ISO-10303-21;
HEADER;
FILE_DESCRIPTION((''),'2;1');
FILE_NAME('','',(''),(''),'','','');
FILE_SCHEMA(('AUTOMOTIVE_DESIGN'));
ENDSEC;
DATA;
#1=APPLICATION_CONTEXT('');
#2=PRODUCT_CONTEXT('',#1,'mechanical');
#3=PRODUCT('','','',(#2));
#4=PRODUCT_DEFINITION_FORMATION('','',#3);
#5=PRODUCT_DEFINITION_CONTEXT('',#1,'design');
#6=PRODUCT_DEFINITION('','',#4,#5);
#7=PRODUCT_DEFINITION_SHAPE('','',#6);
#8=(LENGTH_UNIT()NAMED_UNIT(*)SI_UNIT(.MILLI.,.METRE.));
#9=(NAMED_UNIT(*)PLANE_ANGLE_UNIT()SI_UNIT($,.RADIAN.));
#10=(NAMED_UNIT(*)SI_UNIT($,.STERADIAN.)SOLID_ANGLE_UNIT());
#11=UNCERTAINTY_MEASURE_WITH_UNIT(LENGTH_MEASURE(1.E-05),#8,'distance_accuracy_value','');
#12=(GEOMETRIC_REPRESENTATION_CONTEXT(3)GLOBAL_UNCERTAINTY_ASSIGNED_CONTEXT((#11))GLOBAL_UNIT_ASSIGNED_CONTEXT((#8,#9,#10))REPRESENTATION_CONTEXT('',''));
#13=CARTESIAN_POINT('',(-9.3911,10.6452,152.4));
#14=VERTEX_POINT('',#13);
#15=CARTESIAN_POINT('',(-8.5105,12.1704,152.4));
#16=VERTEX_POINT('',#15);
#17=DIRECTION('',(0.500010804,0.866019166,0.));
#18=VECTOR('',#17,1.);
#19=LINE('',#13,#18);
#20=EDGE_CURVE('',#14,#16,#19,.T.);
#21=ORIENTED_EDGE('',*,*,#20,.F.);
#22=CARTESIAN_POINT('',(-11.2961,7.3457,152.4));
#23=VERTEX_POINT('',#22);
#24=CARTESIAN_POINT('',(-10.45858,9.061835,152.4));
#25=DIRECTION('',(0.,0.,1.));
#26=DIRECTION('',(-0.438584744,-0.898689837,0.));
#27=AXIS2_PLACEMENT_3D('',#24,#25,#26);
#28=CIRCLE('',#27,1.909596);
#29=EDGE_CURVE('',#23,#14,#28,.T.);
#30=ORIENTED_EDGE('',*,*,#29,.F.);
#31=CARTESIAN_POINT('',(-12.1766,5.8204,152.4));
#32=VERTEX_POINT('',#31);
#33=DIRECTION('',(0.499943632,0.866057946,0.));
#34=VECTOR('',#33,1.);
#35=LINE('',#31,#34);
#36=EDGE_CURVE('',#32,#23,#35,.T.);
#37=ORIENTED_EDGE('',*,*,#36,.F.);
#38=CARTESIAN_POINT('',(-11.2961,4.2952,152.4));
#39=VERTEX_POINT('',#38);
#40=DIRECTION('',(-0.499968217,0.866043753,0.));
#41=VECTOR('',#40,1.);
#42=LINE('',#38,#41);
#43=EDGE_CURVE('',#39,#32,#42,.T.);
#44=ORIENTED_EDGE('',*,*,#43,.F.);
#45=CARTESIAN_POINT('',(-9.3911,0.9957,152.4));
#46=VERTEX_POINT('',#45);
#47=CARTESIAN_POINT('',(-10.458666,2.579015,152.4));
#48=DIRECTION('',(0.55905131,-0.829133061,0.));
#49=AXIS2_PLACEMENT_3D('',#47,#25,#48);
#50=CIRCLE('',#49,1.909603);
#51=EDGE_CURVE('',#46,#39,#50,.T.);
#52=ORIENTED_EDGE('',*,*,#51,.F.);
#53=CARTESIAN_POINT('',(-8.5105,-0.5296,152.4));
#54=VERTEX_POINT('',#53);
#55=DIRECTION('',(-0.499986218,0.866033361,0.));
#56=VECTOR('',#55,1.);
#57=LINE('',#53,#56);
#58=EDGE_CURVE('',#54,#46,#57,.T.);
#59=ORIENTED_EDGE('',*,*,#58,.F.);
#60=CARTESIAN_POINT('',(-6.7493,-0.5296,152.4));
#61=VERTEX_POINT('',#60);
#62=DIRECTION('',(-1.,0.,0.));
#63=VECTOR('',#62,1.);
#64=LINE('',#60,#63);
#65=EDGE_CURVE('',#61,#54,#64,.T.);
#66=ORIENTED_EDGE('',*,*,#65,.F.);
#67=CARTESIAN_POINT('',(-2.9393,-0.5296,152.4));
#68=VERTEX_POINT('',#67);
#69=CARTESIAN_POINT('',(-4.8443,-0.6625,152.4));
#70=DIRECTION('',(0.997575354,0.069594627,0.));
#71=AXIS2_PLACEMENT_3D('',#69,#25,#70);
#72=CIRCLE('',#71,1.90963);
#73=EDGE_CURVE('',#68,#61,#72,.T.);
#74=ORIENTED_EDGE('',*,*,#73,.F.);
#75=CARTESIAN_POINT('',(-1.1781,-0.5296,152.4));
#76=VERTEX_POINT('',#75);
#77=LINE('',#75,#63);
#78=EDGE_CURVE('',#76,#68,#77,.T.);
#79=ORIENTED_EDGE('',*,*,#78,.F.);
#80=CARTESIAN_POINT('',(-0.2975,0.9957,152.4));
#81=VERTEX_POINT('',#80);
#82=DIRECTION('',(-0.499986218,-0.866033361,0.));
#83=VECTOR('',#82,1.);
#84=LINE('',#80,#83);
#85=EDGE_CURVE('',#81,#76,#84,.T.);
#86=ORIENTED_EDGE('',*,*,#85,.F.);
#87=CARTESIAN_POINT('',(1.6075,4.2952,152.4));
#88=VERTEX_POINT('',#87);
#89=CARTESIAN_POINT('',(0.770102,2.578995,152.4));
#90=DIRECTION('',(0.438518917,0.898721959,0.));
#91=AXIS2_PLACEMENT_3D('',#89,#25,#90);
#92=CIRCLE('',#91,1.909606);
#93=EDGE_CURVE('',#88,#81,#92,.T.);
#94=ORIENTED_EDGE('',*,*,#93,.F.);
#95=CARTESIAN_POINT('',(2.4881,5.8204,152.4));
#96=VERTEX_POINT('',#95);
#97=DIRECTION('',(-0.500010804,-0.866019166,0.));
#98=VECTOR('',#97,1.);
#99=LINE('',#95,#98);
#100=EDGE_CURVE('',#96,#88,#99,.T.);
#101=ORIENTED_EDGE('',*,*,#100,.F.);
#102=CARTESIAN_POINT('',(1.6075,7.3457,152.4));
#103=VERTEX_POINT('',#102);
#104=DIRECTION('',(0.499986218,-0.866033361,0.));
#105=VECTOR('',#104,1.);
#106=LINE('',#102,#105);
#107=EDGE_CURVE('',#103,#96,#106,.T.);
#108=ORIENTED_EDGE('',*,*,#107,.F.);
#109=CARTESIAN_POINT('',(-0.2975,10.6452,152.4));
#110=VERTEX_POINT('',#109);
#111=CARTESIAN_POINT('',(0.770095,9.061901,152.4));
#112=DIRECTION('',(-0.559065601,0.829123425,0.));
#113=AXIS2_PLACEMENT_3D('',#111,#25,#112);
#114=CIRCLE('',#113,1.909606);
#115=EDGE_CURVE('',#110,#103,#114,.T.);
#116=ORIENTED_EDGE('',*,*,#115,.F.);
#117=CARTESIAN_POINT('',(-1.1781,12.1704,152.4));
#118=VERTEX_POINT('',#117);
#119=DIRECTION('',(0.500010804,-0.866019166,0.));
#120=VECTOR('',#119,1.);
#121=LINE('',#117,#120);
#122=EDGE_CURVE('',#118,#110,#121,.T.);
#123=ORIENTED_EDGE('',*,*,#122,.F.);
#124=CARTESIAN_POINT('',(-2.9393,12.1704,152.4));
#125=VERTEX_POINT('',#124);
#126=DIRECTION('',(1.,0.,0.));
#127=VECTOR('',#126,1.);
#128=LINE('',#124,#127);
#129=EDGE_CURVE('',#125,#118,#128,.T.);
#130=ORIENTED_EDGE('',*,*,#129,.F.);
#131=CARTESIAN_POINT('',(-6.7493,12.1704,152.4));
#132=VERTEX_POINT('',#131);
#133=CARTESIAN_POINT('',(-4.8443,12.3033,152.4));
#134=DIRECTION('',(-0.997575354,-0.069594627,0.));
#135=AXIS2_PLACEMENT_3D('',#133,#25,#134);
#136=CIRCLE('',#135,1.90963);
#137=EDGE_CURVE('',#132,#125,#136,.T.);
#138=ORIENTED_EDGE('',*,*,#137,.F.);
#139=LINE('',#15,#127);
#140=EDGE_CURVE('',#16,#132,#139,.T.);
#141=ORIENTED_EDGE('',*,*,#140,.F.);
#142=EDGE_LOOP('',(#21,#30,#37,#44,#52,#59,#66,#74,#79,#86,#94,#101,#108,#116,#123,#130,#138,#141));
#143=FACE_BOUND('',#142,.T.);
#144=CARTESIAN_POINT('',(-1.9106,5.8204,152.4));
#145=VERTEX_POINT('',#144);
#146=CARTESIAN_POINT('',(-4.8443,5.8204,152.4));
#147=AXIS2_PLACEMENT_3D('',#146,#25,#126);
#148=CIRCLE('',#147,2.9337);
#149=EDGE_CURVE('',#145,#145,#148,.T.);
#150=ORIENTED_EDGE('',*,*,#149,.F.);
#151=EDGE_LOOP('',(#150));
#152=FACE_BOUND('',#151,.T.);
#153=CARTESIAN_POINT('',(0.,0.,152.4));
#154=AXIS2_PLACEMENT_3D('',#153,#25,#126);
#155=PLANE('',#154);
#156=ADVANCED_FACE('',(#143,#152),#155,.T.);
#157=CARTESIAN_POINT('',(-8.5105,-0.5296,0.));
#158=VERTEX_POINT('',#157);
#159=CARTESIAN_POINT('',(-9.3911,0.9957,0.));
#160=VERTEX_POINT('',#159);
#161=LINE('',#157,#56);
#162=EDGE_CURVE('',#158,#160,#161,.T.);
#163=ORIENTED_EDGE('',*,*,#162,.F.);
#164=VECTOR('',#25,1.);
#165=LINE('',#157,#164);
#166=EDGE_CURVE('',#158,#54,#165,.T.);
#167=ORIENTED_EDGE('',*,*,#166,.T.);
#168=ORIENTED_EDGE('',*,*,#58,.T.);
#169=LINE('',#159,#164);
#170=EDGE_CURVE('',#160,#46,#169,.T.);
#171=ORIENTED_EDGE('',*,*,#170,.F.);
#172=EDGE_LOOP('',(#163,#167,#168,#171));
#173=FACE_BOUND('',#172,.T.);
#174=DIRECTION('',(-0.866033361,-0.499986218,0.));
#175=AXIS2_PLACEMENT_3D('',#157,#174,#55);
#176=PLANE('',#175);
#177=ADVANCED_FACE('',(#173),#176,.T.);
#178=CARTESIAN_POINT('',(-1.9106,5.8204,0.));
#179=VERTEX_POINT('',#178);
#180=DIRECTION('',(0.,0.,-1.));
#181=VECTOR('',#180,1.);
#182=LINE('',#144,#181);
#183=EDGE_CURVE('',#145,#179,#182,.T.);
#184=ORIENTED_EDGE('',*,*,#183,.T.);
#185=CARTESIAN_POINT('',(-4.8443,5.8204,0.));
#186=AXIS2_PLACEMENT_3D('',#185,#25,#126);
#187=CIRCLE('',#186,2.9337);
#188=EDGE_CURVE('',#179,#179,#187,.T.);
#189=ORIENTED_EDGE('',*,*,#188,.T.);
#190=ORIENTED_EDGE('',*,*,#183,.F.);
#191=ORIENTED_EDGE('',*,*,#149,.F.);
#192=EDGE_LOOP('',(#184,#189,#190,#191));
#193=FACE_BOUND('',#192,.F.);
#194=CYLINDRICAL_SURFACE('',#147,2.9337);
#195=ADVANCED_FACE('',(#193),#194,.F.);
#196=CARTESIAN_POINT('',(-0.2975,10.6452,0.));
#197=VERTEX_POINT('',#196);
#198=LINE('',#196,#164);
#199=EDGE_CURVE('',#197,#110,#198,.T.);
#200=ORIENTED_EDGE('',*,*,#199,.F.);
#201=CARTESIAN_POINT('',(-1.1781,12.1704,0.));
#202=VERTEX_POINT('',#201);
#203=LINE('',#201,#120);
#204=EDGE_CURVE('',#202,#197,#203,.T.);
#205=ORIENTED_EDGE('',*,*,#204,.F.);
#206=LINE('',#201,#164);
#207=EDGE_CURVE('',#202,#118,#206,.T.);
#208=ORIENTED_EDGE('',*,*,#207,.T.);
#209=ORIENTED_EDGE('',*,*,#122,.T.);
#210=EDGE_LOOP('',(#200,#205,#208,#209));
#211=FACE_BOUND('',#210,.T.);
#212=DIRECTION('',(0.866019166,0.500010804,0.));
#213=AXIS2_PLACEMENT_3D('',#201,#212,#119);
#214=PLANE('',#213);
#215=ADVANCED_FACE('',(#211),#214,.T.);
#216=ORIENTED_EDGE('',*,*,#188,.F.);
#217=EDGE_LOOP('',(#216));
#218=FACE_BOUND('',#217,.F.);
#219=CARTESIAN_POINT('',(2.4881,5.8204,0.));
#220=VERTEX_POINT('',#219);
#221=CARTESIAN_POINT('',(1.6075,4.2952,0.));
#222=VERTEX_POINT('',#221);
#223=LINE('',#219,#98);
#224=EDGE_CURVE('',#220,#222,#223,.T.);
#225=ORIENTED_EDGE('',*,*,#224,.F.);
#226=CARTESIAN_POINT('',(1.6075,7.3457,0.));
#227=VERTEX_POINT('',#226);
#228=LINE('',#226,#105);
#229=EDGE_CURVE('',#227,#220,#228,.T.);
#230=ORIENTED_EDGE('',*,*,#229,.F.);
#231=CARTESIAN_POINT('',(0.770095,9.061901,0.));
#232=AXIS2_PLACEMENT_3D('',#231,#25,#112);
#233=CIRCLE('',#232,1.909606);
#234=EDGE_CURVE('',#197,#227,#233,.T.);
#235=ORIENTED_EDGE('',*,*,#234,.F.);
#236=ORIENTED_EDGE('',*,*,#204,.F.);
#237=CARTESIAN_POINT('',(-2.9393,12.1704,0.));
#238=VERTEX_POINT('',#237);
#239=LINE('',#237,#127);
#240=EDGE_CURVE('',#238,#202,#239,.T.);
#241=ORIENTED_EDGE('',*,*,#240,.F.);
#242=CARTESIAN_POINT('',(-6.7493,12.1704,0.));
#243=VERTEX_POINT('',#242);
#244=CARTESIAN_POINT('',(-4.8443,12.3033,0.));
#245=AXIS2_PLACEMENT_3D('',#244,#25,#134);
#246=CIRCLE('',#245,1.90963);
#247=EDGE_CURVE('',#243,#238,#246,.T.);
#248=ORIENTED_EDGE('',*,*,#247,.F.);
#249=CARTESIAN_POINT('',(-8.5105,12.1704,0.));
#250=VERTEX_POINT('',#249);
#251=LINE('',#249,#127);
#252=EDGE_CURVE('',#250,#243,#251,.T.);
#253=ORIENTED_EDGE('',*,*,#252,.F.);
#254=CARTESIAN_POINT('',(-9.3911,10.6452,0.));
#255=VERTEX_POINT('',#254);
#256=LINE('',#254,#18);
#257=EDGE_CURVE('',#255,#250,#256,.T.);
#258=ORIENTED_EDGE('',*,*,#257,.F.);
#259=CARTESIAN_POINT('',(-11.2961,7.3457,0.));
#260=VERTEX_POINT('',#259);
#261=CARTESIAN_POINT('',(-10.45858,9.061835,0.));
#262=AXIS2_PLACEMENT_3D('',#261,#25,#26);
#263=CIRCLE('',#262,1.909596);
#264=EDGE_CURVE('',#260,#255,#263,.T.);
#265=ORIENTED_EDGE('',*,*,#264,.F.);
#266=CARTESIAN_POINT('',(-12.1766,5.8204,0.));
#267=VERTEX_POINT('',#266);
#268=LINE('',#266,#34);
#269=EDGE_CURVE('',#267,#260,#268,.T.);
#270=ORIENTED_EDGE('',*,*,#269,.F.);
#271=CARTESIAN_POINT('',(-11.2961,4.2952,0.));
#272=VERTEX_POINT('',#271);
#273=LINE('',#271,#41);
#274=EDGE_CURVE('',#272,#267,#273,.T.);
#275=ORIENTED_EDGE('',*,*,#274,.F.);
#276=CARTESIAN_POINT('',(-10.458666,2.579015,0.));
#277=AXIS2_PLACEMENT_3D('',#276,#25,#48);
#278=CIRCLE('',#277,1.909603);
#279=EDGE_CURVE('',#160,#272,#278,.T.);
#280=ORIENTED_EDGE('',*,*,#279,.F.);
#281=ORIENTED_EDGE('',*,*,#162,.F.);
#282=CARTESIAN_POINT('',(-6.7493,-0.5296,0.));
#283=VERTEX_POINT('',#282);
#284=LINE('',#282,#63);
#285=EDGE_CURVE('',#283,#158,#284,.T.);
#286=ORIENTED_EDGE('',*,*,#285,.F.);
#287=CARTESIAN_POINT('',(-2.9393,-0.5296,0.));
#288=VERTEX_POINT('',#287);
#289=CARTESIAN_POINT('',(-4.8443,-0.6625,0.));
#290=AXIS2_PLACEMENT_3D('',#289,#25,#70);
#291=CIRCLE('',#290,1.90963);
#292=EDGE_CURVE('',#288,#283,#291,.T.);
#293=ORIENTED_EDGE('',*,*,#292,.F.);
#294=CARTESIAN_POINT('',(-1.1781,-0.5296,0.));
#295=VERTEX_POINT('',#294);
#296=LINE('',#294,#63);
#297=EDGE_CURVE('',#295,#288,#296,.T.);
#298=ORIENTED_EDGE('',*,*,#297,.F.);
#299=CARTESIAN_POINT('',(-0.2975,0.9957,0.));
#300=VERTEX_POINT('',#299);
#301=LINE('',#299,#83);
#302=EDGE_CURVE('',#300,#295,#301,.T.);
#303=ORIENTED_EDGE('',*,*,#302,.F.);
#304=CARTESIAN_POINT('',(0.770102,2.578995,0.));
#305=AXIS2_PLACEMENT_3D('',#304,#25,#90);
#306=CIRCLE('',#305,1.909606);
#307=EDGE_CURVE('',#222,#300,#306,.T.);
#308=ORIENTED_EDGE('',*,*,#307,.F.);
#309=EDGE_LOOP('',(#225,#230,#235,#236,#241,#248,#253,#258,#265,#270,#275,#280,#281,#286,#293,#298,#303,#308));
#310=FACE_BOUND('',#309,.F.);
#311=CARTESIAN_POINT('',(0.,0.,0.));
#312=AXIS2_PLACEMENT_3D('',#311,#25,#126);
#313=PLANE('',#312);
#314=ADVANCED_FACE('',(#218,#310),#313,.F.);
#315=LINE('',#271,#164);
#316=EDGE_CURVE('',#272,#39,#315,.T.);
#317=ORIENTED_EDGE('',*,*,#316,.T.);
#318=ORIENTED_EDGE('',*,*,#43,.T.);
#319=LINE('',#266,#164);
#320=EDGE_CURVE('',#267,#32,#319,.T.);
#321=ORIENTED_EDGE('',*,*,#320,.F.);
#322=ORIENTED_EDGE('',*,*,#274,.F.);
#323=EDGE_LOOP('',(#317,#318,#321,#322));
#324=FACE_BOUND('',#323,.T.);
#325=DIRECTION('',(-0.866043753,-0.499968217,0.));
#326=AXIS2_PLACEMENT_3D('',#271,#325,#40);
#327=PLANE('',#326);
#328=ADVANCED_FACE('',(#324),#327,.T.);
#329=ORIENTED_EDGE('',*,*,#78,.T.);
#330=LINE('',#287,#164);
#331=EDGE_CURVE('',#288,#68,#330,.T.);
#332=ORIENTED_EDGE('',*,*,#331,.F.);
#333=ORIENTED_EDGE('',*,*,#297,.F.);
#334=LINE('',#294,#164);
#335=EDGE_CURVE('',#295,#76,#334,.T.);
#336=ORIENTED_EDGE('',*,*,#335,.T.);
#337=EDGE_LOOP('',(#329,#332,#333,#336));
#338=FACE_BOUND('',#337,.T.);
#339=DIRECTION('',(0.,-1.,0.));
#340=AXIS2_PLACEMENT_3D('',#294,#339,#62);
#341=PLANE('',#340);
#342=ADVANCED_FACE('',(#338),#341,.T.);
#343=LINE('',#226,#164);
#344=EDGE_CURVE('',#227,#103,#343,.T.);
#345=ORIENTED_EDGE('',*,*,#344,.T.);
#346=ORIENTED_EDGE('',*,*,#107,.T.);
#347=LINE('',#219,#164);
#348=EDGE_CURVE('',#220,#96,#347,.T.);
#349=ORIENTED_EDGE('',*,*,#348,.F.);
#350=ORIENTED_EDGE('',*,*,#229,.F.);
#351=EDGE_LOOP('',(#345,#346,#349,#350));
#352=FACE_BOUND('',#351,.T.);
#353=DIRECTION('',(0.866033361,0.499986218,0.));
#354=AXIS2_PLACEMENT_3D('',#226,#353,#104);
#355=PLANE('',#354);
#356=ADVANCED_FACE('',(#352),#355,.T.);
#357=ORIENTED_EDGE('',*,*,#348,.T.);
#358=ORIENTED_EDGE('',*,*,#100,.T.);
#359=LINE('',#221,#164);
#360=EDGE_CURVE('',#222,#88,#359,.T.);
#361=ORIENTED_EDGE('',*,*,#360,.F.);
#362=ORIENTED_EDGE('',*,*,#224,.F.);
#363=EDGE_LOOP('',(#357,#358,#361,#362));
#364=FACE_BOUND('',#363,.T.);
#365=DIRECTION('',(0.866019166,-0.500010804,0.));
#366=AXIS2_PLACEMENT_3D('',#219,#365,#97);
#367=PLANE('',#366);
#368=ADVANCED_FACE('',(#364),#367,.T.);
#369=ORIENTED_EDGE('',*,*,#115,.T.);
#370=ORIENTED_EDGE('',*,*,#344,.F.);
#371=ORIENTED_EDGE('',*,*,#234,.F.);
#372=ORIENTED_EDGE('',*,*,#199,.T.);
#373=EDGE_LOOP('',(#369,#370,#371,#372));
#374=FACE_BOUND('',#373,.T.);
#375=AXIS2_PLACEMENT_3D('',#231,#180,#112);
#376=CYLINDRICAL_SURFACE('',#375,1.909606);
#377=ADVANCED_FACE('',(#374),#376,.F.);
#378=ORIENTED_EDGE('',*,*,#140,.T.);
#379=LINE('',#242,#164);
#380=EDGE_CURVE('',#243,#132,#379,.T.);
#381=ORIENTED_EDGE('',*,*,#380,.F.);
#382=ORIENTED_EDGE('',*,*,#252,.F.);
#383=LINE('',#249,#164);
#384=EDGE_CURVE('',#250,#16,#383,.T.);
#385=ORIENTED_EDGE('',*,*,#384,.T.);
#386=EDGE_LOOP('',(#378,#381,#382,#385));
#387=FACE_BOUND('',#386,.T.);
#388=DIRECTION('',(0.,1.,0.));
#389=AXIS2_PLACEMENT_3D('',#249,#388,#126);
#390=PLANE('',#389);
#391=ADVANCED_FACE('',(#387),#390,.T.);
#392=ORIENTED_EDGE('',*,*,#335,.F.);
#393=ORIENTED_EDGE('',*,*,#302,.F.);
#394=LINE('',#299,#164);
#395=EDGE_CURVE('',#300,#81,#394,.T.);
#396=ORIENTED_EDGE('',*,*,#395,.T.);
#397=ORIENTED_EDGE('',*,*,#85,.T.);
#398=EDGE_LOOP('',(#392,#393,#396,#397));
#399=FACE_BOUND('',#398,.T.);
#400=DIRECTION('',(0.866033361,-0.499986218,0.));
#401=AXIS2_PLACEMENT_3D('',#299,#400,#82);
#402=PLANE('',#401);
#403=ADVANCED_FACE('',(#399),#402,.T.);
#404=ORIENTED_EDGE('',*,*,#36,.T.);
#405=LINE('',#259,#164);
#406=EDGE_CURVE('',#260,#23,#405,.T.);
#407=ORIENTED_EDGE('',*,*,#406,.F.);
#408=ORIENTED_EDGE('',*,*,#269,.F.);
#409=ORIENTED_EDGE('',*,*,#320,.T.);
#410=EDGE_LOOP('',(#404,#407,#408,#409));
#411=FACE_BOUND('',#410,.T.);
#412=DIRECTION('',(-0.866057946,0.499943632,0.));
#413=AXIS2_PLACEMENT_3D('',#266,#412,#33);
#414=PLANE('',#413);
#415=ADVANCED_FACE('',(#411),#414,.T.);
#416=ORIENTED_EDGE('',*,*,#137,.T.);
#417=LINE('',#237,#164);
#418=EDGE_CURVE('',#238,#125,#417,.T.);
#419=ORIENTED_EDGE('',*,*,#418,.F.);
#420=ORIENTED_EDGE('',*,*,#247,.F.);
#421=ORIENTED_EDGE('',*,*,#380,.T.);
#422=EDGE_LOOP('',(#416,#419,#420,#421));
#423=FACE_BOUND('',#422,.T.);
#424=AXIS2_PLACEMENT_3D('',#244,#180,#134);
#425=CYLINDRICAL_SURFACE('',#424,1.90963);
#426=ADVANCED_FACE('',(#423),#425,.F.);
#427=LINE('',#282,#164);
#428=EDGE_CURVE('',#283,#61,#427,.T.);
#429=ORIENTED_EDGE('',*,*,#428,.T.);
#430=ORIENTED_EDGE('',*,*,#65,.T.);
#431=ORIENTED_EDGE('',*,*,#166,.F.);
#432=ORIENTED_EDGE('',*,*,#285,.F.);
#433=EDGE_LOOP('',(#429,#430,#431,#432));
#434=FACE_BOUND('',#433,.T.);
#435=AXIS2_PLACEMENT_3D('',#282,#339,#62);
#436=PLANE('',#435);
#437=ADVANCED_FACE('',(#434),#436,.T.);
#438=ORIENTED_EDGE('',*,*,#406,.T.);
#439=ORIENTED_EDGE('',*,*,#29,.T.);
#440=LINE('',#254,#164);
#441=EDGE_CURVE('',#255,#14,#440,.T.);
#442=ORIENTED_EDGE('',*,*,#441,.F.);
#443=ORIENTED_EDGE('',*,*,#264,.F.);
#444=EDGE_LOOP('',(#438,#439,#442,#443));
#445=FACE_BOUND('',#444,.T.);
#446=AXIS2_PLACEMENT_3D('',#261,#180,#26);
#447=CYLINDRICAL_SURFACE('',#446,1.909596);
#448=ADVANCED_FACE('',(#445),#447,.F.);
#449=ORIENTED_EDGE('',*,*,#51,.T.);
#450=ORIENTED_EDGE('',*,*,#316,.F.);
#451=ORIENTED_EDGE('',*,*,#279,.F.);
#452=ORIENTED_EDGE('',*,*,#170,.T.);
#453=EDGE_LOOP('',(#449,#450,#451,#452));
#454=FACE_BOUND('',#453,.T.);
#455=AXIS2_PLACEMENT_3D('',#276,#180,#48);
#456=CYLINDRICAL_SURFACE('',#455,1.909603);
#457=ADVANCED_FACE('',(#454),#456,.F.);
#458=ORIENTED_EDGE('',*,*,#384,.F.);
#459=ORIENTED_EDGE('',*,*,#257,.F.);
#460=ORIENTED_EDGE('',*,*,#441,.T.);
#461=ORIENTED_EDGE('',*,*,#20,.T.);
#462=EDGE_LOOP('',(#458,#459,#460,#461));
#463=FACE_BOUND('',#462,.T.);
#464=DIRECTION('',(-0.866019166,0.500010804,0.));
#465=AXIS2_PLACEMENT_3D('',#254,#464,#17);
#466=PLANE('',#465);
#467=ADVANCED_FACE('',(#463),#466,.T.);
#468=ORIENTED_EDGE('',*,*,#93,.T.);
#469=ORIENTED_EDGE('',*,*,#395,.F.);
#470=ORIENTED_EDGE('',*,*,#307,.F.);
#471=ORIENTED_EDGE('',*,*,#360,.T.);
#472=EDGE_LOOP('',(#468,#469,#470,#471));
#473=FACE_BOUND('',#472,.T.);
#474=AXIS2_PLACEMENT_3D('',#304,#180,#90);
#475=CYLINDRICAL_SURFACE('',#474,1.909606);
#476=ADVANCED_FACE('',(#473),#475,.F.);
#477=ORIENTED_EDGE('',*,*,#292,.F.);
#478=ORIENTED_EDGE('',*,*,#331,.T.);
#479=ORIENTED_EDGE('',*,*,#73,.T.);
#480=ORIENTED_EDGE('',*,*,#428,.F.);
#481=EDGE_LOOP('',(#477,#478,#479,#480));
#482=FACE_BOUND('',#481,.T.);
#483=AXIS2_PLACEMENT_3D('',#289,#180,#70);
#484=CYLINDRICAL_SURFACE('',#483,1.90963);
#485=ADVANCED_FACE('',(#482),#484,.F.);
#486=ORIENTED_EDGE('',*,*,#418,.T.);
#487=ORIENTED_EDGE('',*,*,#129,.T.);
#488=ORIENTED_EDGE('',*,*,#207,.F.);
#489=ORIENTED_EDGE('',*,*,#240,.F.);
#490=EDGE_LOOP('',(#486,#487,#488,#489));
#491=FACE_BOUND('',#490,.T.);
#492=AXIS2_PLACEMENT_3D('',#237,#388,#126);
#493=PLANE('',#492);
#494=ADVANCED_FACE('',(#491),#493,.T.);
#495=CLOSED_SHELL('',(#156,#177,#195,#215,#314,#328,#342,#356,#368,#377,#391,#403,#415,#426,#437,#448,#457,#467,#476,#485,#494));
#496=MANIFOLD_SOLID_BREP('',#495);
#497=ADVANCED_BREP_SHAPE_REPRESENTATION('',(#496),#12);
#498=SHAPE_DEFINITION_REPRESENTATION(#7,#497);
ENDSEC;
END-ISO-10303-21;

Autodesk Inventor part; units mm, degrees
ref_plane "YZ Plane" through (0, 0, 0) normal (1, 0, 0) x (0, 1, 0)
ref_plane "XZ Plane" through (0, 0, 0) normal (0, 1, 0) x (-1, 0, 0)
ref_plane "XY Plane" through (0, 0, 0) normal (0, 0, 1) x (1, 0, 0)
sketch "Sketch1" plane through (0, 0, 0) normal (0, 0, 1) x (1, 0, 0)
  circle A0 centre (-4.8443, 5.8204) radius 6.35 construction
  arc A1 (-6.7493, 12.1704) -> (-2.9393, 12.1704) centre (-4.8443, 12.3033) ccw
  line L0 (-8.5105, 12.1704) -> (-6.7493, 12.1704)
  line L1 (-2.9393, 12.1704) -> (-1.1781, 12.1704)
  arc A2 (-0.2975, 10.6452) -> (1.6075, 7.3457) centre (0.7701, 9.0619) ccw
  arc A3 (1.6075, 4.2952) -> (-0.2975, 0.9957) centre (0.7701, 2.579) ccw
  arc A4 (-2.9393, -0.5296) -> (-6.7493, -0.5296) centre (-4.8443, -0.6625) ccw
  arc A5 (-9.3911, 0.9957) -> (-11.2961, 4.2952) centre (-10.4586, 2.579) ccw
  arc A6 (-11.2961, 7.3457) -> (-9.3911, 10.6452) centre (-10.4586, 9.0619) ccw
  line L2 (-12.1766, 5.8204) -> (-11.2961, 7.3457)
  line L3 (-8.5105, -0.5296) -> (-9.3911, 0.9957)
  line L4 (-1.1781, -0.5296) -> (-2.9393, -0.5296)
  line L5 (2.4881, 5.8204) -> (1.6075, 4.2952)
  line L6 (-1.1781, 12.1704) -> (-0.2975, 10.6452)
  line L7 (-9.3911, 10.6452) -> (-8.5105, 12.1704)
  line L8 (-11.2961, 4.2952) -> (-12.1766, 5.8204)
  line L9 (-6.7493, -0.5296) -> (-8.5105, -0.5296)
  line L10 (-0.2975, 0.9957) -> (-1.1781, -0.5296)
  line L11 (1.6075, 7.3457) -> (2.4881, 5.8204)
  point P0 (0, 0)
  point P1 (-4.8443, -0.5296)
  point P2 (-4.8443, 12.1704)
  point P3 (0.655, 8.9954)
  point P4 (0.655, 2.6454)
  point P5 (-4.8443, -0.5296)
  point P6 (-10.3436, 2.6454)
  point P7 (-10.3436, 8.9954)
  point P8 (-0.2975, 10.6452)
  point P9 (-9.3911, 10.6452)
  point P10 (-11.2961, 4.2952)
  point P11 (-9.3911, 0.9957)
  point P12 (-6.7493, -0.5296)
  point P13 (-2.9393, -0.5296)
  point P14 (1.6075, 7.3457)
  dimension "d2" = 12.7
  dimension "d7" = 360
  dimension "d11" = 360
  dimension "d15" = 360
extrude "Extrusion1" add sketch "Sketch1" along normal blind 152.4
sketch "Sketch2" plane through (0, 0, 152.4) normal (0, 0, 1) x (1, 0, 0)
  circle A0 centre (-4.8443, 5.8204) radius 2.9337
  line L0 (-8.5105, -0.5296) -> (-6.7493, -0.5296) projected
  line L1 (-8.5105, 12.1704) -> (-8.5105, -0.5296) construction
  line L2 (-1.1781, 12.1704) -> (-2.9393, 12.1704) projected
  line L3 (-2.9393, -0.5296) -> (-1.1781, -0.5296) projected
  line L4 (-1.1781, 12.1704) -> (-1.1781, -0.5296) construction
  line L5 (-4.8443, 9.4005) -> (-4.8443, 3.0295) construction
  point P0 (0, 0)
  dimension "d19" = 6.35
  dimension "d20" = 5.8674
extrude "Extrusion2" cut sketch "Sketch2" against normal blind 152.4
equation "\"d17\" = d23"
equation "\"d21\" = d23"
equation "\"d23\" = 152.4"
properties part number "Churro 6in"
